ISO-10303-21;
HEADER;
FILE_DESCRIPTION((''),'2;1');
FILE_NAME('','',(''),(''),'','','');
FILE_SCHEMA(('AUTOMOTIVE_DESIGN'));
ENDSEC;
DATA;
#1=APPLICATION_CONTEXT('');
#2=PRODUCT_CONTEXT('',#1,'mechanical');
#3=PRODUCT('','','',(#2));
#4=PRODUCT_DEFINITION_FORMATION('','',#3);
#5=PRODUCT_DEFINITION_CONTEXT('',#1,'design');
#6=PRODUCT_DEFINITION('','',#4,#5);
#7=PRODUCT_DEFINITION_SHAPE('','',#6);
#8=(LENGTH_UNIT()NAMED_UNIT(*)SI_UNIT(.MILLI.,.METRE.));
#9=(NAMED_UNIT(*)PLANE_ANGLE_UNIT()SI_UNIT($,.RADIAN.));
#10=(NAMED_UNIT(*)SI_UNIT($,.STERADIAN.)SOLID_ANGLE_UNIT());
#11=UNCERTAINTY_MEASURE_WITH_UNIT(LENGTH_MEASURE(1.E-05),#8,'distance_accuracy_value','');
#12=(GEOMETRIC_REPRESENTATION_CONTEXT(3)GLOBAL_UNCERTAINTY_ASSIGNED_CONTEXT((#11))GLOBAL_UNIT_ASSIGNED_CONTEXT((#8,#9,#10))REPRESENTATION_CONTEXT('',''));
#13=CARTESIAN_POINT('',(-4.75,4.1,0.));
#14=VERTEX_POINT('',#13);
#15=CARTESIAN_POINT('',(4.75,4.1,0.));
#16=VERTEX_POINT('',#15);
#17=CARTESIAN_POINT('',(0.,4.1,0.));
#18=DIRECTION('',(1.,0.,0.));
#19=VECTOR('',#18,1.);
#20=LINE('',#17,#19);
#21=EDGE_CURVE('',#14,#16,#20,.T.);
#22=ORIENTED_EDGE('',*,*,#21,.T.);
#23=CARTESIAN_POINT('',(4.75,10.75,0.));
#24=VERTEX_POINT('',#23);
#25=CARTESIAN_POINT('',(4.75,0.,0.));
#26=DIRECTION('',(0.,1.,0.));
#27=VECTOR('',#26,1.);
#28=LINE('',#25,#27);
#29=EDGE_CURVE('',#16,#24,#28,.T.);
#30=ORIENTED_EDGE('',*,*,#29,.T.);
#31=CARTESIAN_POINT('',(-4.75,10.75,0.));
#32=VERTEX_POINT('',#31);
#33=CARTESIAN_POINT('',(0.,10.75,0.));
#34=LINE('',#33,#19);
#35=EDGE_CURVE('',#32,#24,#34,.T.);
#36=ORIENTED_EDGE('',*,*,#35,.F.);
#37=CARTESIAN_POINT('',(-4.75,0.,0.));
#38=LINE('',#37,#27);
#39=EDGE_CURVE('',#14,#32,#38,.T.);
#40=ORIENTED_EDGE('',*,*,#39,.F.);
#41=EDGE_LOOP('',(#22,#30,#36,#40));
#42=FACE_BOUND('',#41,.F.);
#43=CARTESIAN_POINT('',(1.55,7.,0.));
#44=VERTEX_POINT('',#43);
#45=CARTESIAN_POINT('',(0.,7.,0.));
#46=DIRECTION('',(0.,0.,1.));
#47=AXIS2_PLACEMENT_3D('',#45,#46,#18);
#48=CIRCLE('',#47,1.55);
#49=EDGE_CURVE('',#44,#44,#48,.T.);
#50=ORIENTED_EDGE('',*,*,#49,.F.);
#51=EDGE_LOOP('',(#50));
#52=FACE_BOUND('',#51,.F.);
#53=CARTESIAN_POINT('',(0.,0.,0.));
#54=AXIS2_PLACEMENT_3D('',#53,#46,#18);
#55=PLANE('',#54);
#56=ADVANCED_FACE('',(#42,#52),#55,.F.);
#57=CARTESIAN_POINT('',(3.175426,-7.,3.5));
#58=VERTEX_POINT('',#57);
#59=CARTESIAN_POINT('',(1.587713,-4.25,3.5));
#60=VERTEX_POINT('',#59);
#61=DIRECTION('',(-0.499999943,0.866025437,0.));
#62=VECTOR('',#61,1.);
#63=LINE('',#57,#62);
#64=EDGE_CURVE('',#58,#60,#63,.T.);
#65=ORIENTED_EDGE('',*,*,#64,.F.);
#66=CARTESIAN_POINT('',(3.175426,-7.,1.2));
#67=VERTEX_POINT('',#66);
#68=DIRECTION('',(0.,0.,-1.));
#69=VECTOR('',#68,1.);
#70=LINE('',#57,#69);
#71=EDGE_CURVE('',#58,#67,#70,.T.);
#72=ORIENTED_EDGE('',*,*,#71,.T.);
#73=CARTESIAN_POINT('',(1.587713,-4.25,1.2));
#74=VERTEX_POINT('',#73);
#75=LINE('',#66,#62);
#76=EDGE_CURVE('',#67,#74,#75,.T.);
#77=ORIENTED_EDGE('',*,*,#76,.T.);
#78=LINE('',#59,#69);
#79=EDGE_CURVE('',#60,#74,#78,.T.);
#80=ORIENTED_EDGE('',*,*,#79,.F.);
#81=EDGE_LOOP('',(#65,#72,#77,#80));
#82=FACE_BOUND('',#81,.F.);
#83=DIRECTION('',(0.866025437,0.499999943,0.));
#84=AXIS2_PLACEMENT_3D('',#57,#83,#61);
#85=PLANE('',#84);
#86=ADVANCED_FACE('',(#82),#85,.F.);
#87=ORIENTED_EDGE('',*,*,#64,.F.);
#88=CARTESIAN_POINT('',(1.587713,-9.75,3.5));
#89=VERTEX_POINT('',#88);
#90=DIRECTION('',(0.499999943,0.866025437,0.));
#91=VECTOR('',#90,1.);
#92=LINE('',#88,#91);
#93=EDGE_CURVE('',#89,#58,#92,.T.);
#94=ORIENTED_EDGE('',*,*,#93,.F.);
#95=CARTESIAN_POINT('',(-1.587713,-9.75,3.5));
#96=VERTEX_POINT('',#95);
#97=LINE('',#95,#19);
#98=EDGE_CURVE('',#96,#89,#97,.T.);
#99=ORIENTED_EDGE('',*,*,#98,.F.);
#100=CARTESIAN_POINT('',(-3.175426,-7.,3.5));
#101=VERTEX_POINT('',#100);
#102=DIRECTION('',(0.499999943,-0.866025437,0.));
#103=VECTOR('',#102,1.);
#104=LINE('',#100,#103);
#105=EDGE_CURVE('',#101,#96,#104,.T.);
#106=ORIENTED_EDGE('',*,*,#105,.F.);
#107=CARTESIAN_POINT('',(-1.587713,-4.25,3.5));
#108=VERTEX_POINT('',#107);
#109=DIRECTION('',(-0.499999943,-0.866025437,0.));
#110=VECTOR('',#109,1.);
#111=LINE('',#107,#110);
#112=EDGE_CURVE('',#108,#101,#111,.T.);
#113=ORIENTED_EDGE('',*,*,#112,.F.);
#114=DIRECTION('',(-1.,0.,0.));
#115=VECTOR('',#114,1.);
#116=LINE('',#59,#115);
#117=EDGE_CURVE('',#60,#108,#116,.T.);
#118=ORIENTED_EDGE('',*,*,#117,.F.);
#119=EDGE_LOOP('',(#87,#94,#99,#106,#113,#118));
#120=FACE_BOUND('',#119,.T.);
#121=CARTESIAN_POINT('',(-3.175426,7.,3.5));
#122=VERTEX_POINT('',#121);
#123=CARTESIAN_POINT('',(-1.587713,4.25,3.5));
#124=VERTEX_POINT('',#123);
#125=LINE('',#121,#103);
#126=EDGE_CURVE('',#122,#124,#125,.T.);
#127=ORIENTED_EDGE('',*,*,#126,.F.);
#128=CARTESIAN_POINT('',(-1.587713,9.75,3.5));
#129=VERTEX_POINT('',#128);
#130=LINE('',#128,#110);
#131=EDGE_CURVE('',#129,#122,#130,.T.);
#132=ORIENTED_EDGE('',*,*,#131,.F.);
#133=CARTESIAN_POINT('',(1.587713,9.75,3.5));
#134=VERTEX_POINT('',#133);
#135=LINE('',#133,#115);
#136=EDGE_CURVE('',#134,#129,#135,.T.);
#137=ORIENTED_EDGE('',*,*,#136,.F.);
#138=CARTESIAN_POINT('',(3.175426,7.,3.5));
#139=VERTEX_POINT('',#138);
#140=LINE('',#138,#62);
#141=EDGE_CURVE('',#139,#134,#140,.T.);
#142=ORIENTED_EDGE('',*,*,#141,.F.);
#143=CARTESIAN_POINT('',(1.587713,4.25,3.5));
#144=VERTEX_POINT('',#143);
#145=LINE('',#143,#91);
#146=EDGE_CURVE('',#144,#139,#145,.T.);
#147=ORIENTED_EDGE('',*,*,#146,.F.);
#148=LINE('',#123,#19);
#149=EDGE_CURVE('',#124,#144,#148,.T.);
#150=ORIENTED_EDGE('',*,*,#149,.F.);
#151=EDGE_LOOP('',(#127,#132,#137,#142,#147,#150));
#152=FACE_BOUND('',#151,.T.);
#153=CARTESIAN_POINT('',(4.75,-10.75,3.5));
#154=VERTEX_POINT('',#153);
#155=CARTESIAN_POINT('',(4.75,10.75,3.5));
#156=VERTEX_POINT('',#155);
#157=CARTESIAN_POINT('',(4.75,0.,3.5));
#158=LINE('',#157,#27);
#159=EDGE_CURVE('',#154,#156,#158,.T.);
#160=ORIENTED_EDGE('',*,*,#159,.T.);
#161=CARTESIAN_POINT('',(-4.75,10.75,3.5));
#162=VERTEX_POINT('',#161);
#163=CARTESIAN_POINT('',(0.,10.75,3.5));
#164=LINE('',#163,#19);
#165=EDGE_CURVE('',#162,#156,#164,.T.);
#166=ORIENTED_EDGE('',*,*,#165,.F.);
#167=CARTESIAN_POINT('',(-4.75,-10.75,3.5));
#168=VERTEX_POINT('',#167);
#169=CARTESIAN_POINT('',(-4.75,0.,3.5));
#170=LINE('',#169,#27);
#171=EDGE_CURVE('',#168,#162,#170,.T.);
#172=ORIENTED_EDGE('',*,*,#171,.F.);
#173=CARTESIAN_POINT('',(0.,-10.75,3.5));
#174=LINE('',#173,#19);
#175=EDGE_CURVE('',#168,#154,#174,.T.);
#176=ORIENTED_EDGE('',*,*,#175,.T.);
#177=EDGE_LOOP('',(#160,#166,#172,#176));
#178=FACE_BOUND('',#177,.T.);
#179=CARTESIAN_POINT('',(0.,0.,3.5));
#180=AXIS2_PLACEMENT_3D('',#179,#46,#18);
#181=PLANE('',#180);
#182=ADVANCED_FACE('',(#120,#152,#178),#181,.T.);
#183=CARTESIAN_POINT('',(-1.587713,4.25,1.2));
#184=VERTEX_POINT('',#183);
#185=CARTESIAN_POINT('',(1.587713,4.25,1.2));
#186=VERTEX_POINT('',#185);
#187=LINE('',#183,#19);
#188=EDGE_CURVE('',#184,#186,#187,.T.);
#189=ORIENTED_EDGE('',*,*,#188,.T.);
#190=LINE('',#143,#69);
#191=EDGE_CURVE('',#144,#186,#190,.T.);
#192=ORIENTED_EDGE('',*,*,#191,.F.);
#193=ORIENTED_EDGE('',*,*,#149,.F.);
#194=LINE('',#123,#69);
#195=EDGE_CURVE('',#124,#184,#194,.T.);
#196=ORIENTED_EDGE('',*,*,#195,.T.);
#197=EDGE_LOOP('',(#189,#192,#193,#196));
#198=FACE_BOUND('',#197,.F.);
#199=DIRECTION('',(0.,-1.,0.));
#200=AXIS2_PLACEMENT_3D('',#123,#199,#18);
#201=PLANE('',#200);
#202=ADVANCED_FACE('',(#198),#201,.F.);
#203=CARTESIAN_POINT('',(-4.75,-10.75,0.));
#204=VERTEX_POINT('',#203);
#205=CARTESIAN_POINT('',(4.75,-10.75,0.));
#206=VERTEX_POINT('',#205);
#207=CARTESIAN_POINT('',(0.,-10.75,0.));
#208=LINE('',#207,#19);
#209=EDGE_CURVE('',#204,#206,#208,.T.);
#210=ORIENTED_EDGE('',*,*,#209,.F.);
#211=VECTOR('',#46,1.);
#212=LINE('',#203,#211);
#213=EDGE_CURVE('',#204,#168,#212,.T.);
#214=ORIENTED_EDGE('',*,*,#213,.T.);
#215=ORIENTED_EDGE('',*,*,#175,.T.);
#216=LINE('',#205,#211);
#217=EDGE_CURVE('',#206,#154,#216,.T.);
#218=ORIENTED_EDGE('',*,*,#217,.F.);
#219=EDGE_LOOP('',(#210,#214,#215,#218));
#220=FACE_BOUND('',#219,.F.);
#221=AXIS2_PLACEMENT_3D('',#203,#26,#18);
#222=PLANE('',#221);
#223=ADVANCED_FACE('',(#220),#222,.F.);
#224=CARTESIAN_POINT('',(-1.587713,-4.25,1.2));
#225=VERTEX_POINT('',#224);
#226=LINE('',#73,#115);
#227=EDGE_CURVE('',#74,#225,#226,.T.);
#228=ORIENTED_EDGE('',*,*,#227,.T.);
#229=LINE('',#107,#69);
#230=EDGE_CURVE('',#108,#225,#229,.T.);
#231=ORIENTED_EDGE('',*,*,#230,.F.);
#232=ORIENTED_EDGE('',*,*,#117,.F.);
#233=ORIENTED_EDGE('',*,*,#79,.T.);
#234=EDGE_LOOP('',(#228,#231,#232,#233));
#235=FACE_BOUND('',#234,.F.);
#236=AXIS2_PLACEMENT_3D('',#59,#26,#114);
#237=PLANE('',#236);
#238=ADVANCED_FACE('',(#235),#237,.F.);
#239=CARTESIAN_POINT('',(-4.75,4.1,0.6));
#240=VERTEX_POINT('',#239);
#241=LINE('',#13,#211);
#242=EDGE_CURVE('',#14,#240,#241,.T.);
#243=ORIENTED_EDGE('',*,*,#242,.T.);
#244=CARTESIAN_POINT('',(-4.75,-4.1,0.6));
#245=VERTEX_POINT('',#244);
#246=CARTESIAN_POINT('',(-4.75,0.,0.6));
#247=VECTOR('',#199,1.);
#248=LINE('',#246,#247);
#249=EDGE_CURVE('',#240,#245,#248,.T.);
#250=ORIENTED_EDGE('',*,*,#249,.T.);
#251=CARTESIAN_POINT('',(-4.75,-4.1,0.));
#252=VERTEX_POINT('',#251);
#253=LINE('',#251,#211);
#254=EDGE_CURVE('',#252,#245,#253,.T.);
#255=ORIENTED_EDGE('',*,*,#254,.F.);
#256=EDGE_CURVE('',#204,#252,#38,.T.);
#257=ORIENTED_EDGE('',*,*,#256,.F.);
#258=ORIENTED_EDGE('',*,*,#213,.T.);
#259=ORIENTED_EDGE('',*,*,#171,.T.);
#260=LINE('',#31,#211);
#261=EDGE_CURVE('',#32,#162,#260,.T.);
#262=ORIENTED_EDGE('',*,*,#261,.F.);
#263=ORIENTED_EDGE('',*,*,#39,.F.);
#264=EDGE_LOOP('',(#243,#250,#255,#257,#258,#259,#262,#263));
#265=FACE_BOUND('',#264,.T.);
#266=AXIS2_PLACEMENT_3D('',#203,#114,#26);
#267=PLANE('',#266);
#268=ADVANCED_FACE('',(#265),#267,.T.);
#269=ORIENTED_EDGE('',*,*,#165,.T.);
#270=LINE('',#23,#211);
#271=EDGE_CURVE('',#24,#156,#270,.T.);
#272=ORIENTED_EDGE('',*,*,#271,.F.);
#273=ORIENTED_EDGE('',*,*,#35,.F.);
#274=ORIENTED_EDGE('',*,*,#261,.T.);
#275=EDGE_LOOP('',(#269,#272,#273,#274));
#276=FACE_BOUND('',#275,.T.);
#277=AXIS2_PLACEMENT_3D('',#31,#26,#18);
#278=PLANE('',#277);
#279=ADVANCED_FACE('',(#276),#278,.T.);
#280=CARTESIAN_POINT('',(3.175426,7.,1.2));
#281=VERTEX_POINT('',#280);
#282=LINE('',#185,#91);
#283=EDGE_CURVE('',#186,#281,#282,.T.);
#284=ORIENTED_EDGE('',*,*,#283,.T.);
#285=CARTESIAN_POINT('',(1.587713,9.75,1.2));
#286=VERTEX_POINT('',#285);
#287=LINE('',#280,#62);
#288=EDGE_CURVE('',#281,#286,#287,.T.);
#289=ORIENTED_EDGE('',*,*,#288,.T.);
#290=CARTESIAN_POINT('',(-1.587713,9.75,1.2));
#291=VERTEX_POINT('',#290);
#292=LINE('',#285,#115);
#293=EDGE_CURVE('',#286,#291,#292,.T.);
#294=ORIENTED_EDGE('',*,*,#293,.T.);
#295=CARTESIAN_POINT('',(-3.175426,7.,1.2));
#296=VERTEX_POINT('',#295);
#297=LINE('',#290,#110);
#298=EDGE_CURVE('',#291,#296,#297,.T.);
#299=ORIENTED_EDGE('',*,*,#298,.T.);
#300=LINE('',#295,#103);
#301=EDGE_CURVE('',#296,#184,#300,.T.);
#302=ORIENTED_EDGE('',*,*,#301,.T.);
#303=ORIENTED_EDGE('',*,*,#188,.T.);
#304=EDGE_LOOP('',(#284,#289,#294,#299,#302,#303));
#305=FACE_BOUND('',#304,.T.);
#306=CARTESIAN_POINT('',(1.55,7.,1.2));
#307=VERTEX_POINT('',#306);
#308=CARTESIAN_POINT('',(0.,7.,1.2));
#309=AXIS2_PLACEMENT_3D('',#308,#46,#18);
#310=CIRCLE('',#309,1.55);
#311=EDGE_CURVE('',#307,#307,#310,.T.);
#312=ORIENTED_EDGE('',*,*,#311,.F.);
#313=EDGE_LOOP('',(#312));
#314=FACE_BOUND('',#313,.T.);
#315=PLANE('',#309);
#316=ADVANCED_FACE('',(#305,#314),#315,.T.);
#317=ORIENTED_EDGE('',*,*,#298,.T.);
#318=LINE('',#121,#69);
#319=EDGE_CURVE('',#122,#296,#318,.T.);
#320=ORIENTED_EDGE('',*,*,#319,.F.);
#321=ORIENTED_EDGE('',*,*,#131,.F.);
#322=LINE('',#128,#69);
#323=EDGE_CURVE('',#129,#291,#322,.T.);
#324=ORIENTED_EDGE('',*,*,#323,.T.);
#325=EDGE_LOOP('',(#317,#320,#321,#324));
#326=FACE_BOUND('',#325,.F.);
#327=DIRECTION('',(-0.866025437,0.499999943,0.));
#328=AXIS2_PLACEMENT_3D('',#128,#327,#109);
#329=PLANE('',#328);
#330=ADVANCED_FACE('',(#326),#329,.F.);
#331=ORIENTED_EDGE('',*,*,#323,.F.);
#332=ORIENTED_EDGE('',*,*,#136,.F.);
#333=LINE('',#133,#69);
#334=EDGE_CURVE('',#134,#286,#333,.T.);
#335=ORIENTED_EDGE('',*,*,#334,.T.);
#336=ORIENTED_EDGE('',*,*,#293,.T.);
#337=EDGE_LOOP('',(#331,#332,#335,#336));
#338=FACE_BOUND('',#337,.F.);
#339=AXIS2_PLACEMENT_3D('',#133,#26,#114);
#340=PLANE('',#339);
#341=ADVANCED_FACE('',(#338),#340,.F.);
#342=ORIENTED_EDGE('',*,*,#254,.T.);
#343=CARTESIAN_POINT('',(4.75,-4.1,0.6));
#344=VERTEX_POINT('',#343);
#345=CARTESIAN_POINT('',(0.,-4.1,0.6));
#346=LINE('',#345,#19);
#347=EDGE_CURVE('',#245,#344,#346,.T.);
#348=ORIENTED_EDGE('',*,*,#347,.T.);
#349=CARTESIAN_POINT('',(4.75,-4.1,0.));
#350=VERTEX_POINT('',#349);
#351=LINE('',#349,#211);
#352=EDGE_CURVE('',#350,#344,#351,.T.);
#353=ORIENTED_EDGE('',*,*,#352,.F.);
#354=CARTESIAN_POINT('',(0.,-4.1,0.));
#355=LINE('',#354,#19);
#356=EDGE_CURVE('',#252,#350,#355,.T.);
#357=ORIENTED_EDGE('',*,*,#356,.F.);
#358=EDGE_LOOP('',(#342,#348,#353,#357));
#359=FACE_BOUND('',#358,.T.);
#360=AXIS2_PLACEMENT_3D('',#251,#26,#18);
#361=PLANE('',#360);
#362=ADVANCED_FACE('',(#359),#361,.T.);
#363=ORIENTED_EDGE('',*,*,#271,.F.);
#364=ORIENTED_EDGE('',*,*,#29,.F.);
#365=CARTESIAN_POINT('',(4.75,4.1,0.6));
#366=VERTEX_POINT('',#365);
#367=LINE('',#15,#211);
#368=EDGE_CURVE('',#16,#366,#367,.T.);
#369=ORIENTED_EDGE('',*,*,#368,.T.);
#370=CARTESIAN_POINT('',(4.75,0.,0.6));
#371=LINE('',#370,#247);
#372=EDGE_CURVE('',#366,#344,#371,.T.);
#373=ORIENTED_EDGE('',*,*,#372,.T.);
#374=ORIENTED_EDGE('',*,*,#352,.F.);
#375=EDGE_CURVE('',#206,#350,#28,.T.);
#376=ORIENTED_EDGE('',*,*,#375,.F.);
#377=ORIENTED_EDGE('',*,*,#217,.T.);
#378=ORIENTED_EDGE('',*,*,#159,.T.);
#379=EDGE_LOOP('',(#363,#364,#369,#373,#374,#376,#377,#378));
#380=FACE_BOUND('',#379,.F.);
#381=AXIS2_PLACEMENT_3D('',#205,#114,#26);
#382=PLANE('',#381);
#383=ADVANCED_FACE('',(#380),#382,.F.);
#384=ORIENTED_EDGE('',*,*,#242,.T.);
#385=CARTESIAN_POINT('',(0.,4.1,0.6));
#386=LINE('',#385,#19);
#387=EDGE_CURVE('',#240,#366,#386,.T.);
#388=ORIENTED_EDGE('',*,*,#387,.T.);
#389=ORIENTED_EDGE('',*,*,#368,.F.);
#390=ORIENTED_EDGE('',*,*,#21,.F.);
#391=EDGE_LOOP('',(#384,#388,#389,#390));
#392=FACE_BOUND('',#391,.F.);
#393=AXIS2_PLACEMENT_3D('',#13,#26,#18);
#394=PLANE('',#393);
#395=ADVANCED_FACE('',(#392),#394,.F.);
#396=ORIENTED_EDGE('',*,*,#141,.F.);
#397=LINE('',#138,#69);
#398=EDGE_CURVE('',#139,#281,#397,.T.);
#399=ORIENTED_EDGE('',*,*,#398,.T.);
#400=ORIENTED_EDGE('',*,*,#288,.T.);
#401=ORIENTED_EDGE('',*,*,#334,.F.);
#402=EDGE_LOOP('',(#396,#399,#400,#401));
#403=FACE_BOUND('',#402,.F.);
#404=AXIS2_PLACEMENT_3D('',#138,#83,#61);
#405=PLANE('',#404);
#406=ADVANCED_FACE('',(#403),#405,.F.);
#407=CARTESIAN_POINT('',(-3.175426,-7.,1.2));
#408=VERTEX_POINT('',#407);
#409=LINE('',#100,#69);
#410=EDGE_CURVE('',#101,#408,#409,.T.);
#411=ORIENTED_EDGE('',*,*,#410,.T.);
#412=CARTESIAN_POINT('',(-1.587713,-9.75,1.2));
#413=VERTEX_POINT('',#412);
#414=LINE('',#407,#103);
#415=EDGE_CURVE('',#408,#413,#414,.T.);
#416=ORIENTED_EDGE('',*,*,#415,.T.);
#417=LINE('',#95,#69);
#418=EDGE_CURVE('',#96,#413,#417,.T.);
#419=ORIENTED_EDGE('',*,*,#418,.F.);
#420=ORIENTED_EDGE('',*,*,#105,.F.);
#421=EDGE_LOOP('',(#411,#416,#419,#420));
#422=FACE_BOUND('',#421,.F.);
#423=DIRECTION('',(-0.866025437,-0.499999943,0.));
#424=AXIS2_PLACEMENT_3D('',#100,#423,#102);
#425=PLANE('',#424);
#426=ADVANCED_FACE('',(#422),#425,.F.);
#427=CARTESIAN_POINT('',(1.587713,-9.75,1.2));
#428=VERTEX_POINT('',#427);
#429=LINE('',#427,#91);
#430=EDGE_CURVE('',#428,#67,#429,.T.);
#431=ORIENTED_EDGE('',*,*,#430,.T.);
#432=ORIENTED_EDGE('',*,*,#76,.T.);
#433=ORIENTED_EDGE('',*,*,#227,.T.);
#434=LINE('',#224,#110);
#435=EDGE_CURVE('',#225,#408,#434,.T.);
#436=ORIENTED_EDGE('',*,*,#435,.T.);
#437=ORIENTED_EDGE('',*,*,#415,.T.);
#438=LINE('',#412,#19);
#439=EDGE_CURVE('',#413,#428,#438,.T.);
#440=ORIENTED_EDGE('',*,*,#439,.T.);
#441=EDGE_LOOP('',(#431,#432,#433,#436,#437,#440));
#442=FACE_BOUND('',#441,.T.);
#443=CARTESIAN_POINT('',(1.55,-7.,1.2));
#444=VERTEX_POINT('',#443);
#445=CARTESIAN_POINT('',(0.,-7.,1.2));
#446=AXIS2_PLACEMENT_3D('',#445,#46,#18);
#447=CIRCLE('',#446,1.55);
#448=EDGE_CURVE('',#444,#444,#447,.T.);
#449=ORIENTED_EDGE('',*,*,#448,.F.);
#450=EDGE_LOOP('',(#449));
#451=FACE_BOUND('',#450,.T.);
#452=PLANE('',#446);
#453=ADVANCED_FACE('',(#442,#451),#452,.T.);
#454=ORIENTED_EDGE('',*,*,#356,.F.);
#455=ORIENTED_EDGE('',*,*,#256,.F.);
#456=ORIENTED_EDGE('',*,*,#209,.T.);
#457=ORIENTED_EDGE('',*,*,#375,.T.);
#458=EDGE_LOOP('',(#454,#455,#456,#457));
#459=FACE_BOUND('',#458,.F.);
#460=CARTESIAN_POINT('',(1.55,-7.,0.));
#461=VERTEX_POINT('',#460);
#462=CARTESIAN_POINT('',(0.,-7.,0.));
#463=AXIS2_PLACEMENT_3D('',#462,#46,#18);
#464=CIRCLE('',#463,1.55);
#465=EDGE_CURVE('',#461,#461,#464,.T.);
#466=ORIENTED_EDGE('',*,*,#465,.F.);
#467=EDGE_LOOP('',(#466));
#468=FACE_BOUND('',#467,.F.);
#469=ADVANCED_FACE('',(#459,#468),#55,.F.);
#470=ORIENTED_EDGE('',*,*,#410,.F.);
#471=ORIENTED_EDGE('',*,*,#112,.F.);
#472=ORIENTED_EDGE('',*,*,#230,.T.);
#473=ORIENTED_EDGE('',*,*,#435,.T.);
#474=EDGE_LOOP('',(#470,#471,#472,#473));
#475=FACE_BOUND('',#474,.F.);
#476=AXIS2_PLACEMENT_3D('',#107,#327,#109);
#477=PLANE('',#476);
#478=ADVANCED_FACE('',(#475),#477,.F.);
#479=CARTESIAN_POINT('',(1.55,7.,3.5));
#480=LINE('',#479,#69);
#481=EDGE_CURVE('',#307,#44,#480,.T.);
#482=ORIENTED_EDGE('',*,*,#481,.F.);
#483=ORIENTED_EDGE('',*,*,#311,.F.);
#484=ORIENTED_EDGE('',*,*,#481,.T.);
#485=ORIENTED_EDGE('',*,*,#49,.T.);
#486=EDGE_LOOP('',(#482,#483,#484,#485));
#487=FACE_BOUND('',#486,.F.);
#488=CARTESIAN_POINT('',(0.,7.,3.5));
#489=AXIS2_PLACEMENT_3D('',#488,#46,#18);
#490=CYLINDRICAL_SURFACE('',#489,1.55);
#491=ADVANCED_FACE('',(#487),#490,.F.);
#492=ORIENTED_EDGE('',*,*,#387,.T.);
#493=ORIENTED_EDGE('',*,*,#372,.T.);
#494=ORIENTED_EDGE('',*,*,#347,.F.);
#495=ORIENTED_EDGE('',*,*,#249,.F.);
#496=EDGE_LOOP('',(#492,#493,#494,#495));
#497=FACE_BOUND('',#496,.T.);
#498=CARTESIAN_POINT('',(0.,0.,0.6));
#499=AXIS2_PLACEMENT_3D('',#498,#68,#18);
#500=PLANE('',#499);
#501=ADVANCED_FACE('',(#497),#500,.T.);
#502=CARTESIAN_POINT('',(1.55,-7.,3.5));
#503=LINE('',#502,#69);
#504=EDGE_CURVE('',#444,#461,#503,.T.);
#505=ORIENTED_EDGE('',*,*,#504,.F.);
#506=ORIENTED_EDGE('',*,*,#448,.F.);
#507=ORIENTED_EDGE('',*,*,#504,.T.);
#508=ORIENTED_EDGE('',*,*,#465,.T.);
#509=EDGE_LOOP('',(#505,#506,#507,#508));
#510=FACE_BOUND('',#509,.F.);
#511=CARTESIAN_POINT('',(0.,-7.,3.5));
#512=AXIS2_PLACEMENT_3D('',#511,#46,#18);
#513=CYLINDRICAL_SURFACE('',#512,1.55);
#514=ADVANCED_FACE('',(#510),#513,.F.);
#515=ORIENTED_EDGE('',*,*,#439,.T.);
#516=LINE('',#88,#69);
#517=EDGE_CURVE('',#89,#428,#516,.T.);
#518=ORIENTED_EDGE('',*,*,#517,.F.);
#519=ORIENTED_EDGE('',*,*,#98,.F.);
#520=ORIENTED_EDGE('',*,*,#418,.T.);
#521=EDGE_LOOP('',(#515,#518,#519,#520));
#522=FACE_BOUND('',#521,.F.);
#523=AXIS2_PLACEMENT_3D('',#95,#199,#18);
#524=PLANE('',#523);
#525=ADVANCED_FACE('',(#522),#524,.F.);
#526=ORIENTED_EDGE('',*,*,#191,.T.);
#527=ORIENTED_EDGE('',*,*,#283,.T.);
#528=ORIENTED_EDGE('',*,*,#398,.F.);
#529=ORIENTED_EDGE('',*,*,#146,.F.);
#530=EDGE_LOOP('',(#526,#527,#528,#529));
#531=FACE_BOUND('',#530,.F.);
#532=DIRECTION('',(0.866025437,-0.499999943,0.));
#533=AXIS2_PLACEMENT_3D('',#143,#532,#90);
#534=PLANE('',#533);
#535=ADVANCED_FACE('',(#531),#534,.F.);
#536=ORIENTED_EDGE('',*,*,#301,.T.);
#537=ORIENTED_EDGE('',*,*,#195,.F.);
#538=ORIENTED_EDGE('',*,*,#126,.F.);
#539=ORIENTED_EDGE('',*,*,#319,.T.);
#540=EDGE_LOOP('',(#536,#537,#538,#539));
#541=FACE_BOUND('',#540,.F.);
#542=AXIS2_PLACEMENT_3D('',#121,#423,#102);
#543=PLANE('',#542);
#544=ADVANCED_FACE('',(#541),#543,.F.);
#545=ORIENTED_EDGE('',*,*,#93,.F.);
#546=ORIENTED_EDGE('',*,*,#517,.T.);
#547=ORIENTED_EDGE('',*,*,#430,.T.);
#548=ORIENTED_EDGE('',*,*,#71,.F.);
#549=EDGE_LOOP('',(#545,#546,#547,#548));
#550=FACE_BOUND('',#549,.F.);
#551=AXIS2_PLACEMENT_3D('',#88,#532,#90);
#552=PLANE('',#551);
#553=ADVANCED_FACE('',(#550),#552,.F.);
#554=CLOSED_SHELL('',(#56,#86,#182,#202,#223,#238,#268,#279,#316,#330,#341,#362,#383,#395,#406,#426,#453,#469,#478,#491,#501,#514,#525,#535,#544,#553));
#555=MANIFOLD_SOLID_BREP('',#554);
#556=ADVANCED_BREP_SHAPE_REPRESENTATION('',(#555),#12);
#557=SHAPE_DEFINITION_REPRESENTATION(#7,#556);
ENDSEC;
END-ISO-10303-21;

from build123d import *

# Parameters (mm, degrees)
F0_W     = 9.5
F0_H     = 21.5
F1_DEPTH = 3.5
F2_R     = 1.55
F3_DEPTH = 3.5
F4_W     = 9.5
F4_H     = 8.2
F5_DEPTH = 0.6
F7_DEPTH = 2.3


with BuildPart() as f1:
    # F0 (on Top) → F1 (new body)
    with BuildSketch(Plane.XY):
        Rectangle(F0_W, F0_H)
    extrude(amount=F1_DEPTH)

    # F2 (on face) → F3 (cut, through all)
    with BuildSketch(Plane.XY.offset(3.5)):
        with Locations((0, 7)):
            Circle(F2_R)
        with Locations((0, -7)):
            Circle(F2_R)
    extrude(amount=-F3_DEPTH, mode=Mode.SUBTRACT)

    # F4 (on face) → F5 (cut)
    with BuildSketch(Plane(origin=(0, 0, 0), x_dir=(1, 0, 0), z_dir=(0, 0, -1))):
        Rectangle(F4_W, F4_H)
    extrude(amount=-F5_DEPTH, mode=Mode.SUBTRACT)

    # F6 (on face) → F7 (cut)
    with BuildSketch(Plane.XY.offset(3.5)):
        Polygon((1.587713, 4.25), (3.175426, 7), (1.587713, 9.75), (-1.587713, 9.75), (-3.175426, 7), (-1.587713, 4.25), align=None)
        Polygon((1.587713, -9.75), (3.175426, -7), (1.587713, -4.25), (-1.587713, -4.25), (-3.175426, -7), (-1.587713, -9.75), align=None)
    extrude(amount=-F7_DEPTH, mode=Mode.SUBTRACT)


solid = f1.part
